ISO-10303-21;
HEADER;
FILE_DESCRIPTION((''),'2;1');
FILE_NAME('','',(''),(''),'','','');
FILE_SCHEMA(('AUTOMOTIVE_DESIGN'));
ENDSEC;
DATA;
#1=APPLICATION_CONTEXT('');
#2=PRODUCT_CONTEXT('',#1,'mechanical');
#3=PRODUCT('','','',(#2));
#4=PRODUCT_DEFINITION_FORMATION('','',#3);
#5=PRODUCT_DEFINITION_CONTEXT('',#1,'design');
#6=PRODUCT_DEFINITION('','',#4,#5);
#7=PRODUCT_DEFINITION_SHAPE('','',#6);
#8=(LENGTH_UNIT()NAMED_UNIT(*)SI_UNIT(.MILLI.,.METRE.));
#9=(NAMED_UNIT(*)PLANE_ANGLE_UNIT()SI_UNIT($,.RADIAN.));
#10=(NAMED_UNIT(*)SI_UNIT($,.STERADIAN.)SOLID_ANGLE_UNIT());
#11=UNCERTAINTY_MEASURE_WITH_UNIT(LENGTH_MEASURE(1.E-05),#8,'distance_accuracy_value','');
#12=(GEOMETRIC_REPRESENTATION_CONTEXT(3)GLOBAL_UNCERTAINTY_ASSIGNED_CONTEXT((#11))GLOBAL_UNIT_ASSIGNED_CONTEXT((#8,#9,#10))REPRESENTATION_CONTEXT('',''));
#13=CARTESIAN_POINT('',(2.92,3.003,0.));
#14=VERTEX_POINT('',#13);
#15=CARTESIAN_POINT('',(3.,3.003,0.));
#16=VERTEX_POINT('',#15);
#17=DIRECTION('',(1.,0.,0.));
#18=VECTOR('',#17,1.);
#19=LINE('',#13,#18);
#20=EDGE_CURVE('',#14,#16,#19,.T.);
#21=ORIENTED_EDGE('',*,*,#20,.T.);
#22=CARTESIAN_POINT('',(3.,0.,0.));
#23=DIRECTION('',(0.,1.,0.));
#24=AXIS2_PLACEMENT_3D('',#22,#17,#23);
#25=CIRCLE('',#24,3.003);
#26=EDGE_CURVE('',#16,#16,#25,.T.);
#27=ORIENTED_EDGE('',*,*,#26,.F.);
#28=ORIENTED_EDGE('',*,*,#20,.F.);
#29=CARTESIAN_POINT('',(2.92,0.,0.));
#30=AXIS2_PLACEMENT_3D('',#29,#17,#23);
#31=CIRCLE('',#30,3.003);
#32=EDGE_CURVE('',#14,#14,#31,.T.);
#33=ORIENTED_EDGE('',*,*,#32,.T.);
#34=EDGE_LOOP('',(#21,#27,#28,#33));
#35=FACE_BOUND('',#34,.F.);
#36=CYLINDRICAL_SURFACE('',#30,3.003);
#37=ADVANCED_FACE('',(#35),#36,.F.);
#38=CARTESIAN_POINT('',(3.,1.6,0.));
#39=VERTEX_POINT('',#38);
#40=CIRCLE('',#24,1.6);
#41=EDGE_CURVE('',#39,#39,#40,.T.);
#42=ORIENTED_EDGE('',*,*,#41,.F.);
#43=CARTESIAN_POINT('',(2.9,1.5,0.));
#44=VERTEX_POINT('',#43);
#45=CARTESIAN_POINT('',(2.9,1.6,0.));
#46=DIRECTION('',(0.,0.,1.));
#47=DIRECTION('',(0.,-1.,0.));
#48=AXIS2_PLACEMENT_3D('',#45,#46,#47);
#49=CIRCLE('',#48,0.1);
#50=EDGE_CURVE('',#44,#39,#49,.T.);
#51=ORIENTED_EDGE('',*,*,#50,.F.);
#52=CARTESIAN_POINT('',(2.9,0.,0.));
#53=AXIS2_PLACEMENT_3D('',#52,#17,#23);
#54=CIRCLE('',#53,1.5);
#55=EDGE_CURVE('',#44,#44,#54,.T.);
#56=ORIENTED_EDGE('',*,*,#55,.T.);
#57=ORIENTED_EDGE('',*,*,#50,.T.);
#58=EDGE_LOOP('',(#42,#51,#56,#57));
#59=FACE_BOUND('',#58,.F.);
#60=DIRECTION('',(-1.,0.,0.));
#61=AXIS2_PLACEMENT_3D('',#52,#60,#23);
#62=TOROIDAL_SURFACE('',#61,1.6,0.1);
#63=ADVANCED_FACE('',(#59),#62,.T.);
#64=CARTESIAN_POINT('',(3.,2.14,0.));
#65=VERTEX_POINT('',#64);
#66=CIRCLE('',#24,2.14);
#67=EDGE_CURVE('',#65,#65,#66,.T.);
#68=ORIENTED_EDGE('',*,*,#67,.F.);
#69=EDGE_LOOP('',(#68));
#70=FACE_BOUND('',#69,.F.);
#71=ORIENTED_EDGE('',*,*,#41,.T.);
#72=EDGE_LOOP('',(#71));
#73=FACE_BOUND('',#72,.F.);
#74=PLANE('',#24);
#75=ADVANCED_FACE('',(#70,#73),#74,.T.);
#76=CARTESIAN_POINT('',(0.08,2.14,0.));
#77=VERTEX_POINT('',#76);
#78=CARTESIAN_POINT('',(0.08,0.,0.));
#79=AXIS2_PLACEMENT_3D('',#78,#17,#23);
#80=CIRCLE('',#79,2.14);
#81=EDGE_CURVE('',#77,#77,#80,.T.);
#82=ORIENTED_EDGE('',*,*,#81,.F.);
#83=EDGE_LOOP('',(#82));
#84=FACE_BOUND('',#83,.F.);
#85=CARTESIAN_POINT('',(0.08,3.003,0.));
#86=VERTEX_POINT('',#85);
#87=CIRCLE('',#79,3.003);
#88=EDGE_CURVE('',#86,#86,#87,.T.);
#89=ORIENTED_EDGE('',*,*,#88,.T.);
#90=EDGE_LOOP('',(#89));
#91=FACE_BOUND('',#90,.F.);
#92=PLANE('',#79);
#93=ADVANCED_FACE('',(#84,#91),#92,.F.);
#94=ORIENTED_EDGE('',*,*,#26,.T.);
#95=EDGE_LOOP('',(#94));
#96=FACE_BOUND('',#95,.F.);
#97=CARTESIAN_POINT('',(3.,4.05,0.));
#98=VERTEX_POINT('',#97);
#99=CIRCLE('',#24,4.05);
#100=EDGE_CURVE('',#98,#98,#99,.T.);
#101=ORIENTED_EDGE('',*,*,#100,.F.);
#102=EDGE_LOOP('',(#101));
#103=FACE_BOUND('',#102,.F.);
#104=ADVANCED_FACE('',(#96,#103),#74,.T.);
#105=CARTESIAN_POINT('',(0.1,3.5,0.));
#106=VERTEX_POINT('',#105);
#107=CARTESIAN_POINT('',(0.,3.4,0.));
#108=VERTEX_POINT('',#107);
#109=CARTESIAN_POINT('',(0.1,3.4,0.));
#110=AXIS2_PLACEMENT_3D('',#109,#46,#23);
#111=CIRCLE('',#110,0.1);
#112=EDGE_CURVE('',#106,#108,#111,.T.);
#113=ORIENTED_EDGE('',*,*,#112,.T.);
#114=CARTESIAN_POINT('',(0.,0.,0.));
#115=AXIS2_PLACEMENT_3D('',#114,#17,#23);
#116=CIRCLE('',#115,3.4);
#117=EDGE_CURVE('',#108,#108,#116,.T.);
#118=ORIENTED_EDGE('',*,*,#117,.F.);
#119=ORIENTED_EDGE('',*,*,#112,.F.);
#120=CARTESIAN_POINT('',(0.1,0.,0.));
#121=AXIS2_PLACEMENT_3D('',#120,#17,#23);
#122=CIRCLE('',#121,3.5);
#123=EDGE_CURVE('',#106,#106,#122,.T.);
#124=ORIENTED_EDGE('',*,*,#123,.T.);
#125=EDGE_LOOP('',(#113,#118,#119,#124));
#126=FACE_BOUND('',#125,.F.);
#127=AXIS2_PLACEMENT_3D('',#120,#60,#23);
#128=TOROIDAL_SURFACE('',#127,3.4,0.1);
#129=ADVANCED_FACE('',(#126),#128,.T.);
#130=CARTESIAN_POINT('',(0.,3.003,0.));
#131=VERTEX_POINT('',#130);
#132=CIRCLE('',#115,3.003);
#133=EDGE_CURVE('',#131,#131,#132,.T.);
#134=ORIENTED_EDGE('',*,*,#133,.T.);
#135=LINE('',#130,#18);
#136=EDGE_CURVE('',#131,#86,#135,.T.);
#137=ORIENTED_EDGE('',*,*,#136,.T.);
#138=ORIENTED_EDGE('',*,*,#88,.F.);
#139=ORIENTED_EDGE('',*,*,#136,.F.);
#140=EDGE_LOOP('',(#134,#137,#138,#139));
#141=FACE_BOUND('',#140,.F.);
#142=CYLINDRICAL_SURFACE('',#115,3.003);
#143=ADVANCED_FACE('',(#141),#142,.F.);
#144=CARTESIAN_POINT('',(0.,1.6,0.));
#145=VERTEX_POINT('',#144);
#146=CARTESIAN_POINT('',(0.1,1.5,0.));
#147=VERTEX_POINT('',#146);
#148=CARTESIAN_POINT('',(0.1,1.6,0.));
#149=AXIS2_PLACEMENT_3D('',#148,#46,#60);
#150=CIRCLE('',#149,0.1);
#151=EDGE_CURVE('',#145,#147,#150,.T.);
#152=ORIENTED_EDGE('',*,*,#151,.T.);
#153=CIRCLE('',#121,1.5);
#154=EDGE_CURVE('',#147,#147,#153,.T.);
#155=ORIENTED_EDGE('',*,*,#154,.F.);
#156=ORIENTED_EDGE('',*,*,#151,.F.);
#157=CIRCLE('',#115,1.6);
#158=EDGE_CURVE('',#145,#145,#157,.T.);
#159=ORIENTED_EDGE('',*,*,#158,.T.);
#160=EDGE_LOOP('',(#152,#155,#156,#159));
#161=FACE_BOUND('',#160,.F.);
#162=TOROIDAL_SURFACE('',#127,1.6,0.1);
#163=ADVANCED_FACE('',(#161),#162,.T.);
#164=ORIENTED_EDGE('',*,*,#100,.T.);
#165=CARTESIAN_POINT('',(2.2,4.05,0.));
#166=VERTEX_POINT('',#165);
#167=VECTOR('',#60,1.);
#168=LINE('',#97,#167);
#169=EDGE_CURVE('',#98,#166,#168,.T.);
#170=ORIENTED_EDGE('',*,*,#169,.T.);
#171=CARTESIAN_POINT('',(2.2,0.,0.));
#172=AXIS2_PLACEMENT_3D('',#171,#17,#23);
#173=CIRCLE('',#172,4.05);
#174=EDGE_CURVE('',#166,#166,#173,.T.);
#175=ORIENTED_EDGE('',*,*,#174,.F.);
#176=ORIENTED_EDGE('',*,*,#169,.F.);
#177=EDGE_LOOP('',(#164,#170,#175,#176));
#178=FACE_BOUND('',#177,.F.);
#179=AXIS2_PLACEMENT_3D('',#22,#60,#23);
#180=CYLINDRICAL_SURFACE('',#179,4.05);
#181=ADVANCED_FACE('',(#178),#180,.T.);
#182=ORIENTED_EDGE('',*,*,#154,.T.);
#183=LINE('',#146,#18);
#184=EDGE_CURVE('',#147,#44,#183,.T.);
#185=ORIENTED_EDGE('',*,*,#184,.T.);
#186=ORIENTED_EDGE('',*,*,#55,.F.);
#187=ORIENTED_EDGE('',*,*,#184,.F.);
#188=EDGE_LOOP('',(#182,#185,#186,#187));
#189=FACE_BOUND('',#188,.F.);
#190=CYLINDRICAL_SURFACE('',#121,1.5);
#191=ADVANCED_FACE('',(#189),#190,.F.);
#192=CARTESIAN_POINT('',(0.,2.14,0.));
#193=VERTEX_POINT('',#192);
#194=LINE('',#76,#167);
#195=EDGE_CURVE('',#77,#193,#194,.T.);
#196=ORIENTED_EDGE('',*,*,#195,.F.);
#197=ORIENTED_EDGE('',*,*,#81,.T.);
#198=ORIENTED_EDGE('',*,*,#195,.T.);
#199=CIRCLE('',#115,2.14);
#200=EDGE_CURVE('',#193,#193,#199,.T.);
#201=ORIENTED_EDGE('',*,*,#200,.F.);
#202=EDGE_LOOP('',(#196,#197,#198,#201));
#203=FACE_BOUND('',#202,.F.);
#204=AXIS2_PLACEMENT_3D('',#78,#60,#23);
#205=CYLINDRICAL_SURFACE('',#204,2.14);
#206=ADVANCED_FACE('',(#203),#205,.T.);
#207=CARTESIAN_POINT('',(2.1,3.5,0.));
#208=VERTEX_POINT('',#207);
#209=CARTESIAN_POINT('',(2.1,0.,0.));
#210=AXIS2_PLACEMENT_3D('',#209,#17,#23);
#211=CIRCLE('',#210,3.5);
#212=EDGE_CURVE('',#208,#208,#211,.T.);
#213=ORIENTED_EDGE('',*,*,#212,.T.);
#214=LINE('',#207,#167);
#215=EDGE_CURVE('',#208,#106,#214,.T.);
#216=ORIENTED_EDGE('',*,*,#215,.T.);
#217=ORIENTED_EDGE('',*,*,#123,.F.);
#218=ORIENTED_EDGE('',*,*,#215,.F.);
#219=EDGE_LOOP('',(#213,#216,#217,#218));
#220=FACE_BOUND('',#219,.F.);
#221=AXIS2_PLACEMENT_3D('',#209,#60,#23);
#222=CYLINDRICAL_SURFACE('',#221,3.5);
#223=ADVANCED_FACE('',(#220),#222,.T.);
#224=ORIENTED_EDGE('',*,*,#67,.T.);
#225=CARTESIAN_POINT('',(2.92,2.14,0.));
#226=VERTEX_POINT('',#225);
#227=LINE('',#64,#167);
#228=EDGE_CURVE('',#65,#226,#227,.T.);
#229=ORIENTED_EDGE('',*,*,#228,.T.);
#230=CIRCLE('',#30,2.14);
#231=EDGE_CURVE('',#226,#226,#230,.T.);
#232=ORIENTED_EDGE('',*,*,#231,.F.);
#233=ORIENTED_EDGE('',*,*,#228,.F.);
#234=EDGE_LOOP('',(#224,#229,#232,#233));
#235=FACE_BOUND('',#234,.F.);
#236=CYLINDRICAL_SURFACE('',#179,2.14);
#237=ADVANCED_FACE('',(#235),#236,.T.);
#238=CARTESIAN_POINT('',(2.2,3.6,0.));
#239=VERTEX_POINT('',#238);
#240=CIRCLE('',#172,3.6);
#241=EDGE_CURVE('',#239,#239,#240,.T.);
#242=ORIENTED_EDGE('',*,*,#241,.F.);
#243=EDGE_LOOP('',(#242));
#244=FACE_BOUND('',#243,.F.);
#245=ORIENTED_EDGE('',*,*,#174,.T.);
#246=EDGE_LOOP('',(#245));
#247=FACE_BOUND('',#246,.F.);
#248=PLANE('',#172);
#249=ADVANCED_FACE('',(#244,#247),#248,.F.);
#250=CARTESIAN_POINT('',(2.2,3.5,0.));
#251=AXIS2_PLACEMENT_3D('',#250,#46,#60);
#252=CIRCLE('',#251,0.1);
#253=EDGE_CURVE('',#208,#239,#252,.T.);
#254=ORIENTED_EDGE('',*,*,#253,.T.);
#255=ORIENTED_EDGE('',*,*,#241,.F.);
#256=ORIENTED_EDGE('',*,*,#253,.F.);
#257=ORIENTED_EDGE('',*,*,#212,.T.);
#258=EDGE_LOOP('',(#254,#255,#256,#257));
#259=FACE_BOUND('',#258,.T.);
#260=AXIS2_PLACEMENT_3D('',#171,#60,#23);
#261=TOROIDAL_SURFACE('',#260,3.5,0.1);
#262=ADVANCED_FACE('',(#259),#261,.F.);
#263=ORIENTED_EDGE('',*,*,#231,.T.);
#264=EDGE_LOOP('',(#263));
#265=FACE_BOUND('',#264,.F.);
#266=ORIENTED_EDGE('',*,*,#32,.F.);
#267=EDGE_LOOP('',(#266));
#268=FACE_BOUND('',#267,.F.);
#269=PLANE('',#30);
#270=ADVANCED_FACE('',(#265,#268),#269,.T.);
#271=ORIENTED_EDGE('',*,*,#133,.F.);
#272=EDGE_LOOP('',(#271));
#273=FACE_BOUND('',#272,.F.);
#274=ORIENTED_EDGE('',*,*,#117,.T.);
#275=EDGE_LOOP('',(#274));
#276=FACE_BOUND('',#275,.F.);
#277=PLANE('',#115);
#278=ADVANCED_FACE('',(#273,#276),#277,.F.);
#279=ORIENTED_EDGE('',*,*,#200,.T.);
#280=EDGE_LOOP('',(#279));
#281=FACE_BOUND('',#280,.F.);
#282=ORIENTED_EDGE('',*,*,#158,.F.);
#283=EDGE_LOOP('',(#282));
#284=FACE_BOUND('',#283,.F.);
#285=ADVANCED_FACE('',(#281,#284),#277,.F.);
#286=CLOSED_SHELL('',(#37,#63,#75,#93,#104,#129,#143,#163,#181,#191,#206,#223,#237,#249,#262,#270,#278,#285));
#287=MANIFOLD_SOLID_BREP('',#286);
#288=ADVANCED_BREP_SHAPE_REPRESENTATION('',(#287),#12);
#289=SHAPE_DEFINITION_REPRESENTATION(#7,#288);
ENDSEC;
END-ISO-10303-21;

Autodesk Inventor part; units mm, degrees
sketch "Sketch_1" plane through (0, 0, 0) normal (0, 0, 1) x (1, 0, 0)
  line L0 (7, 0) -> (-7, 0)
  arc A0 (0, 1.6) -> (0.1, 1.5) centre (0.1, 1.6) ccw
  line L1 (0.1, 1.5) -> (2.9, 1.5)
  arc A1 (2.9, 1.5) -> (3, 1.6) centre (2.9, 1.6) ccw
  line L2 (3, 1.6) -> (3, 2.14)
  line L3 (3, 2.14) -> (2.92, 2.14)
  line L4 (2.92, 2.14) -> (2.92, 3.003)
  line L5 (2.92, 3.003) -> (3, 3.003)
  line L6 (3, 3.003) -> (3, 4.05)
  line L7 (3, 4.05) -> (2.2, 4.05)
  line L8 (2.2, 4.05) -> (2.2, 3.6)
  arc A2 (2.1, 3.5) -> (2.2, 3.6) centre (2.2, 3.5) ccw
  line L9 (2.1, 3.5) -> (0.1, 3.5)
  arc A3 (0.1, 3.5) -> (0, 3.4) centre (0.1, 3.4) ccw
  line L10 (0, 3.4) -> (0, 3.003)
  line L11 (0, 3.003) -> (0.08, 3.003)
  line L12 (0.08, 3.003) -> (0.08, 2.14)
  line L13 (0.08, 2.14) -> (0, 2.14)
  line L14 (0, 2.14) -> (0, 1.6)
revolve "Revolution1" add sketch "Sketch_1" angle 360 about axis through (7, 0, 0) along (1, 0, 0)
ref_plane "to_housing_XY" through (0, 0, 0) normal (1, 0, 0) x (0, 0, -1)
ref_plane "to_housing_YZ" through (0, 0, 0) normal (0, 0, -1) x (0, 1, 0)
ref_plane "to_housing_ZX" through (0, 0, 0) normal (0, 1, 0) x (1, 0, 0)
properties part number "C-SEFL683ZZ"
